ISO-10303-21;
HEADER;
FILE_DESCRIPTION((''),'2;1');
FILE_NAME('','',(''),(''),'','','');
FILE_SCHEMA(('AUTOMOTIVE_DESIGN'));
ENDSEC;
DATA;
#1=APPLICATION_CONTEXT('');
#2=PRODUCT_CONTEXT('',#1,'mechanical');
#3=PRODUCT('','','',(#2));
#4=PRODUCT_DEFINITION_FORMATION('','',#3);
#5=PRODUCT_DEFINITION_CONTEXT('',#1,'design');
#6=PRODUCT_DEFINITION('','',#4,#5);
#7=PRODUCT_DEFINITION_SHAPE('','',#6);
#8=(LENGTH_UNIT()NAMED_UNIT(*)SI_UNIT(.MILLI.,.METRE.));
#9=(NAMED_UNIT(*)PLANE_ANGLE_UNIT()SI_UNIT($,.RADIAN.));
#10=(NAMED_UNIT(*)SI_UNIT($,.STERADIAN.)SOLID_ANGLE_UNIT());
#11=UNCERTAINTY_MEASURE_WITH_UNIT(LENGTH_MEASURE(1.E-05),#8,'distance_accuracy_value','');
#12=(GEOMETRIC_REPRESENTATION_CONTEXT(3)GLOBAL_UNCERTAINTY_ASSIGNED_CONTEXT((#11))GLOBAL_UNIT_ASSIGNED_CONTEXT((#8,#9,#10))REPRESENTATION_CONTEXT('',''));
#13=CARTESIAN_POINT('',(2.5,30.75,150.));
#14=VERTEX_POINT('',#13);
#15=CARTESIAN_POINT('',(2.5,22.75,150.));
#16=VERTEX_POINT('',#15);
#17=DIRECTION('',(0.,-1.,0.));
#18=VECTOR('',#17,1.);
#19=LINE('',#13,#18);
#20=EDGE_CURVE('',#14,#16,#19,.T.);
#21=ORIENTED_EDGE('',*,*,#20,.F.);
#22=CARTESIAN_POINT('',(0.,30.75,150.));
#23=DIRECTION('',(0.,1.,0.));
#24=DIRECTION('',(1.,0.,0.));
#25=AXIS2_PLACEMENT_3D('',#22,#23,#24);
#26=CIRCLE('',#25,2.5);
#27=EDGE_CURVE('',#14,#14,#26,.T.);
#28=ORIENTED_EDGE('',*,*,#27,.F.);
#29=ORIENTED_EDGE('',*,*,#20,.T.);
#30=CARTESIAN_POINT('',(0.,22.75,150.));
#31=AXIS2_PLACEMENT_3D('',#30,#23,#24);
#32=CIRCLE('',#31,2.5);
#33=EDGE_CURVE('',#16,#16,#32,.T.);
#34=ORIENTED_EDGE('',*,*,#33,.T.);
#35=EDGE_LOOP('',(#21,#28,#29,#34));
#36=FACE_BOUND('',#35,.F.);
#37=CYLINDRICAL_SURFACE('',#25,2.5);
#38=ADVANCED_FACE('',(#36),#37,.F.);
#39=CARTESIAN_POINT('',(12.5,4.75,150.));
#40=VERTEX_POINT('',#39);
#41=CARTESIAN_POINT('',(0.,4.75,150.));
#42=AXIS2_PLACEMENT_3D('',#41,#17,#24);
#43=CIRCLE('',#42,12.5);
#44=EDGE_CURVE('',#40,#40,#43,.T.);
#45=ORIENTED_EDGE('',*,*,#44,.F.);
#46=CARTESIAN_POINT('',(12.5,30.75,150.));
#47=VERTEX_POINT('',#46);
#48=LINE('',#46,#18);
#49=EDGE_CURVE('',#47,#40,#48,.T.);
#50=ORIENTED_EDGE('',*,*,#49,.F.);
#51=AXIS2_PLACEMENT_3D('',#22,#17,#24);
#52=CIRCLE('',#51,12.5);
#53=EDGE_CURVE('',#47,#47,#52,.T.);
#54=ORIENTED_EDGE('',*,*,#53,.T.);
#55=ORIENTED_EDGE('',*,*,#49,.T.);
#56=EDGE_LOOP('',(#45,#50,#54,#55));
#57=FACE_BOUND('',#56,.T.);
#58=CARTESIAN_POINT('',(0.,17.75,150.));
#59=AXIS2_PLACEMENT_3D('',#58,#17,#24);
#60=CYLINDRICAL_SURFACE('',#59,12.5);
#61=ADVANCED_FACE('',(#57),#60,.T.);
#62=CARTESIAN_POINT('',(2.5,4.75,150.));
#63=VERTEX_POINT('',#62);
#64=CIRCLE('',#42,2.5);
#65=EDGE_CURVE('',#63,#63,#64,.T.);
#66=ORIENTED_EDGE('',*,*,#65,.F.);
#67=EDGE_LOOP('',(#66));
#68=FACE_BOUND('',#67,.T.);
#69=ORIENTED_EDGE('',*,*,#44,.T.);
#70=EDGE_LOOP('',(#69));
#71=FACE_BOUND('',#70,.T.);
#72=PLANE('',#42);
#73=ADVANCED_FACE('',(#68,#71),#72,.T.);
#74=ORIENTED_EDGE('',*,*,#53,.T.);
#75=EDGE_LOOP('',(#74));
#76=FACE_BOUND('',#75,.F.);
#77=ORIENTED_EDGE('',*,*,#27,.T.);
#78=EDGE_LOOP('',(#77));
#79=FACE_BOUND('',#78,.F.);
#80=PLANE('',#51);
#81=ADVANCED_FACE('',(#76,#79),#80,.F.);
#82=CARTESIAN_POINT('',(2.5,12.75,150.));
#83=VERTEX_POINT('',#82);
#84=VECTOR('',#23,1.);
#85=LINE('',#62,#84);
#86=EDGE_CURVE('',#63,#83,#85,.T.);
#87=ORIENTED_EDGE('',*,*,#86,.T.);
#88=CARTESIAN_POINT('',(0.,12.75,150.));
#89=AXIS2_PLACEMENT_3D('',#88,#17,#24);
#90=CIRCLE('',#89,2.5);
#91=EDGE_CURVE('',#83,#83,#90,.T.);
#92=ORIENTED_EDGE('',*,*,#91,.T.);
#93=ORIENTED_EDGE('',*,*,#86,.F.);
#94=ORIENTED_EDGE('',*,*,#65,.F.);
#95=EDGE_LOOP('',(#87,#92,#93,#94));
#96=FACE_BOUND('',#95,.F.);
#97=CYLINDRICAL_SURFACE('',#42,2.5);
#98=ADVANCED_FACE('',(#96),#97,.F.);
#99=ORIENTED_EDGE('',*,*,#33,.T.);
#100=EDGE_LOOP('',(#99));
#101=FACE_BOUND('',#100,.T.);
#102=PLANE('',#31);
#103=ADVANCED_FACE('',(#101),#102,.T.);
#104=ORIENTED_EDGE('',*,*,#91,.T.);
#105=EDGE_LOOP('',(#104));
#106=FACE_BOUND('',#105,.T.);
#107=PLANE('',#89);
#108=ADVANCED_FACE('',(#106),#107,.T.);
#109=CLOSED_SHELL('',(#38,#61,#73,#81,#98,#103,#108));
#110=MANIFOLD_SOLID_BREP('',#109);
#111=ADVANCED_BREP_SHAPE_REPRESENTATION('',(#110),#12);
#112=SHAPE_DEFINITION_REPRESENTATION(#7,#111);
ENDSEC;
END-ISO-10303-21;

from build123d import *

# Parameters (mm, degrees)
SKETCH048_R     = 12.5
PAD017_DEPTH    = 13
SKETCH049_R     = 2.5
POCKET028_DEPTH = 8
SKETCH050_R     = 2.5
POCKET027_DEPTH = 8


with BuildPart() as part:
    # Sketch048 → Pad017 (new body, symmetric)
    with BuildSketch(Plane.XZ):
        Circle(SKETCH048_R)
    extrude(amount=PAD017_DEPTH, both=True)

    # Sketch049 (on Face3 of Pad017) → Pocket028 (cut)
    with BuildSketch(Plane.XZ.offset(13)):
        Circle(SKETCH049_R)
    extrude(amount=-POCKET028_DEPTH, mode=Mode.SUBTRACT)

    # Sketch050 (on Face2 of Pocket028) → Pocket027 (cut)
    with BuildSketch(Plane(origin=(0, 13, 0), x_dir=(1, 0, 0), z_dir=(0, 1, 0))):
        Circle(SKETCH050_R)
    extrude(amount=-POCKET027_DEPTH, mode=Mode.SUBTRACT)


with BuildPart() as part_1:
    # Body011 placement: moved
    add(part.part.moved(Location((0, 17.75, 150))))


solid = part_1.part
